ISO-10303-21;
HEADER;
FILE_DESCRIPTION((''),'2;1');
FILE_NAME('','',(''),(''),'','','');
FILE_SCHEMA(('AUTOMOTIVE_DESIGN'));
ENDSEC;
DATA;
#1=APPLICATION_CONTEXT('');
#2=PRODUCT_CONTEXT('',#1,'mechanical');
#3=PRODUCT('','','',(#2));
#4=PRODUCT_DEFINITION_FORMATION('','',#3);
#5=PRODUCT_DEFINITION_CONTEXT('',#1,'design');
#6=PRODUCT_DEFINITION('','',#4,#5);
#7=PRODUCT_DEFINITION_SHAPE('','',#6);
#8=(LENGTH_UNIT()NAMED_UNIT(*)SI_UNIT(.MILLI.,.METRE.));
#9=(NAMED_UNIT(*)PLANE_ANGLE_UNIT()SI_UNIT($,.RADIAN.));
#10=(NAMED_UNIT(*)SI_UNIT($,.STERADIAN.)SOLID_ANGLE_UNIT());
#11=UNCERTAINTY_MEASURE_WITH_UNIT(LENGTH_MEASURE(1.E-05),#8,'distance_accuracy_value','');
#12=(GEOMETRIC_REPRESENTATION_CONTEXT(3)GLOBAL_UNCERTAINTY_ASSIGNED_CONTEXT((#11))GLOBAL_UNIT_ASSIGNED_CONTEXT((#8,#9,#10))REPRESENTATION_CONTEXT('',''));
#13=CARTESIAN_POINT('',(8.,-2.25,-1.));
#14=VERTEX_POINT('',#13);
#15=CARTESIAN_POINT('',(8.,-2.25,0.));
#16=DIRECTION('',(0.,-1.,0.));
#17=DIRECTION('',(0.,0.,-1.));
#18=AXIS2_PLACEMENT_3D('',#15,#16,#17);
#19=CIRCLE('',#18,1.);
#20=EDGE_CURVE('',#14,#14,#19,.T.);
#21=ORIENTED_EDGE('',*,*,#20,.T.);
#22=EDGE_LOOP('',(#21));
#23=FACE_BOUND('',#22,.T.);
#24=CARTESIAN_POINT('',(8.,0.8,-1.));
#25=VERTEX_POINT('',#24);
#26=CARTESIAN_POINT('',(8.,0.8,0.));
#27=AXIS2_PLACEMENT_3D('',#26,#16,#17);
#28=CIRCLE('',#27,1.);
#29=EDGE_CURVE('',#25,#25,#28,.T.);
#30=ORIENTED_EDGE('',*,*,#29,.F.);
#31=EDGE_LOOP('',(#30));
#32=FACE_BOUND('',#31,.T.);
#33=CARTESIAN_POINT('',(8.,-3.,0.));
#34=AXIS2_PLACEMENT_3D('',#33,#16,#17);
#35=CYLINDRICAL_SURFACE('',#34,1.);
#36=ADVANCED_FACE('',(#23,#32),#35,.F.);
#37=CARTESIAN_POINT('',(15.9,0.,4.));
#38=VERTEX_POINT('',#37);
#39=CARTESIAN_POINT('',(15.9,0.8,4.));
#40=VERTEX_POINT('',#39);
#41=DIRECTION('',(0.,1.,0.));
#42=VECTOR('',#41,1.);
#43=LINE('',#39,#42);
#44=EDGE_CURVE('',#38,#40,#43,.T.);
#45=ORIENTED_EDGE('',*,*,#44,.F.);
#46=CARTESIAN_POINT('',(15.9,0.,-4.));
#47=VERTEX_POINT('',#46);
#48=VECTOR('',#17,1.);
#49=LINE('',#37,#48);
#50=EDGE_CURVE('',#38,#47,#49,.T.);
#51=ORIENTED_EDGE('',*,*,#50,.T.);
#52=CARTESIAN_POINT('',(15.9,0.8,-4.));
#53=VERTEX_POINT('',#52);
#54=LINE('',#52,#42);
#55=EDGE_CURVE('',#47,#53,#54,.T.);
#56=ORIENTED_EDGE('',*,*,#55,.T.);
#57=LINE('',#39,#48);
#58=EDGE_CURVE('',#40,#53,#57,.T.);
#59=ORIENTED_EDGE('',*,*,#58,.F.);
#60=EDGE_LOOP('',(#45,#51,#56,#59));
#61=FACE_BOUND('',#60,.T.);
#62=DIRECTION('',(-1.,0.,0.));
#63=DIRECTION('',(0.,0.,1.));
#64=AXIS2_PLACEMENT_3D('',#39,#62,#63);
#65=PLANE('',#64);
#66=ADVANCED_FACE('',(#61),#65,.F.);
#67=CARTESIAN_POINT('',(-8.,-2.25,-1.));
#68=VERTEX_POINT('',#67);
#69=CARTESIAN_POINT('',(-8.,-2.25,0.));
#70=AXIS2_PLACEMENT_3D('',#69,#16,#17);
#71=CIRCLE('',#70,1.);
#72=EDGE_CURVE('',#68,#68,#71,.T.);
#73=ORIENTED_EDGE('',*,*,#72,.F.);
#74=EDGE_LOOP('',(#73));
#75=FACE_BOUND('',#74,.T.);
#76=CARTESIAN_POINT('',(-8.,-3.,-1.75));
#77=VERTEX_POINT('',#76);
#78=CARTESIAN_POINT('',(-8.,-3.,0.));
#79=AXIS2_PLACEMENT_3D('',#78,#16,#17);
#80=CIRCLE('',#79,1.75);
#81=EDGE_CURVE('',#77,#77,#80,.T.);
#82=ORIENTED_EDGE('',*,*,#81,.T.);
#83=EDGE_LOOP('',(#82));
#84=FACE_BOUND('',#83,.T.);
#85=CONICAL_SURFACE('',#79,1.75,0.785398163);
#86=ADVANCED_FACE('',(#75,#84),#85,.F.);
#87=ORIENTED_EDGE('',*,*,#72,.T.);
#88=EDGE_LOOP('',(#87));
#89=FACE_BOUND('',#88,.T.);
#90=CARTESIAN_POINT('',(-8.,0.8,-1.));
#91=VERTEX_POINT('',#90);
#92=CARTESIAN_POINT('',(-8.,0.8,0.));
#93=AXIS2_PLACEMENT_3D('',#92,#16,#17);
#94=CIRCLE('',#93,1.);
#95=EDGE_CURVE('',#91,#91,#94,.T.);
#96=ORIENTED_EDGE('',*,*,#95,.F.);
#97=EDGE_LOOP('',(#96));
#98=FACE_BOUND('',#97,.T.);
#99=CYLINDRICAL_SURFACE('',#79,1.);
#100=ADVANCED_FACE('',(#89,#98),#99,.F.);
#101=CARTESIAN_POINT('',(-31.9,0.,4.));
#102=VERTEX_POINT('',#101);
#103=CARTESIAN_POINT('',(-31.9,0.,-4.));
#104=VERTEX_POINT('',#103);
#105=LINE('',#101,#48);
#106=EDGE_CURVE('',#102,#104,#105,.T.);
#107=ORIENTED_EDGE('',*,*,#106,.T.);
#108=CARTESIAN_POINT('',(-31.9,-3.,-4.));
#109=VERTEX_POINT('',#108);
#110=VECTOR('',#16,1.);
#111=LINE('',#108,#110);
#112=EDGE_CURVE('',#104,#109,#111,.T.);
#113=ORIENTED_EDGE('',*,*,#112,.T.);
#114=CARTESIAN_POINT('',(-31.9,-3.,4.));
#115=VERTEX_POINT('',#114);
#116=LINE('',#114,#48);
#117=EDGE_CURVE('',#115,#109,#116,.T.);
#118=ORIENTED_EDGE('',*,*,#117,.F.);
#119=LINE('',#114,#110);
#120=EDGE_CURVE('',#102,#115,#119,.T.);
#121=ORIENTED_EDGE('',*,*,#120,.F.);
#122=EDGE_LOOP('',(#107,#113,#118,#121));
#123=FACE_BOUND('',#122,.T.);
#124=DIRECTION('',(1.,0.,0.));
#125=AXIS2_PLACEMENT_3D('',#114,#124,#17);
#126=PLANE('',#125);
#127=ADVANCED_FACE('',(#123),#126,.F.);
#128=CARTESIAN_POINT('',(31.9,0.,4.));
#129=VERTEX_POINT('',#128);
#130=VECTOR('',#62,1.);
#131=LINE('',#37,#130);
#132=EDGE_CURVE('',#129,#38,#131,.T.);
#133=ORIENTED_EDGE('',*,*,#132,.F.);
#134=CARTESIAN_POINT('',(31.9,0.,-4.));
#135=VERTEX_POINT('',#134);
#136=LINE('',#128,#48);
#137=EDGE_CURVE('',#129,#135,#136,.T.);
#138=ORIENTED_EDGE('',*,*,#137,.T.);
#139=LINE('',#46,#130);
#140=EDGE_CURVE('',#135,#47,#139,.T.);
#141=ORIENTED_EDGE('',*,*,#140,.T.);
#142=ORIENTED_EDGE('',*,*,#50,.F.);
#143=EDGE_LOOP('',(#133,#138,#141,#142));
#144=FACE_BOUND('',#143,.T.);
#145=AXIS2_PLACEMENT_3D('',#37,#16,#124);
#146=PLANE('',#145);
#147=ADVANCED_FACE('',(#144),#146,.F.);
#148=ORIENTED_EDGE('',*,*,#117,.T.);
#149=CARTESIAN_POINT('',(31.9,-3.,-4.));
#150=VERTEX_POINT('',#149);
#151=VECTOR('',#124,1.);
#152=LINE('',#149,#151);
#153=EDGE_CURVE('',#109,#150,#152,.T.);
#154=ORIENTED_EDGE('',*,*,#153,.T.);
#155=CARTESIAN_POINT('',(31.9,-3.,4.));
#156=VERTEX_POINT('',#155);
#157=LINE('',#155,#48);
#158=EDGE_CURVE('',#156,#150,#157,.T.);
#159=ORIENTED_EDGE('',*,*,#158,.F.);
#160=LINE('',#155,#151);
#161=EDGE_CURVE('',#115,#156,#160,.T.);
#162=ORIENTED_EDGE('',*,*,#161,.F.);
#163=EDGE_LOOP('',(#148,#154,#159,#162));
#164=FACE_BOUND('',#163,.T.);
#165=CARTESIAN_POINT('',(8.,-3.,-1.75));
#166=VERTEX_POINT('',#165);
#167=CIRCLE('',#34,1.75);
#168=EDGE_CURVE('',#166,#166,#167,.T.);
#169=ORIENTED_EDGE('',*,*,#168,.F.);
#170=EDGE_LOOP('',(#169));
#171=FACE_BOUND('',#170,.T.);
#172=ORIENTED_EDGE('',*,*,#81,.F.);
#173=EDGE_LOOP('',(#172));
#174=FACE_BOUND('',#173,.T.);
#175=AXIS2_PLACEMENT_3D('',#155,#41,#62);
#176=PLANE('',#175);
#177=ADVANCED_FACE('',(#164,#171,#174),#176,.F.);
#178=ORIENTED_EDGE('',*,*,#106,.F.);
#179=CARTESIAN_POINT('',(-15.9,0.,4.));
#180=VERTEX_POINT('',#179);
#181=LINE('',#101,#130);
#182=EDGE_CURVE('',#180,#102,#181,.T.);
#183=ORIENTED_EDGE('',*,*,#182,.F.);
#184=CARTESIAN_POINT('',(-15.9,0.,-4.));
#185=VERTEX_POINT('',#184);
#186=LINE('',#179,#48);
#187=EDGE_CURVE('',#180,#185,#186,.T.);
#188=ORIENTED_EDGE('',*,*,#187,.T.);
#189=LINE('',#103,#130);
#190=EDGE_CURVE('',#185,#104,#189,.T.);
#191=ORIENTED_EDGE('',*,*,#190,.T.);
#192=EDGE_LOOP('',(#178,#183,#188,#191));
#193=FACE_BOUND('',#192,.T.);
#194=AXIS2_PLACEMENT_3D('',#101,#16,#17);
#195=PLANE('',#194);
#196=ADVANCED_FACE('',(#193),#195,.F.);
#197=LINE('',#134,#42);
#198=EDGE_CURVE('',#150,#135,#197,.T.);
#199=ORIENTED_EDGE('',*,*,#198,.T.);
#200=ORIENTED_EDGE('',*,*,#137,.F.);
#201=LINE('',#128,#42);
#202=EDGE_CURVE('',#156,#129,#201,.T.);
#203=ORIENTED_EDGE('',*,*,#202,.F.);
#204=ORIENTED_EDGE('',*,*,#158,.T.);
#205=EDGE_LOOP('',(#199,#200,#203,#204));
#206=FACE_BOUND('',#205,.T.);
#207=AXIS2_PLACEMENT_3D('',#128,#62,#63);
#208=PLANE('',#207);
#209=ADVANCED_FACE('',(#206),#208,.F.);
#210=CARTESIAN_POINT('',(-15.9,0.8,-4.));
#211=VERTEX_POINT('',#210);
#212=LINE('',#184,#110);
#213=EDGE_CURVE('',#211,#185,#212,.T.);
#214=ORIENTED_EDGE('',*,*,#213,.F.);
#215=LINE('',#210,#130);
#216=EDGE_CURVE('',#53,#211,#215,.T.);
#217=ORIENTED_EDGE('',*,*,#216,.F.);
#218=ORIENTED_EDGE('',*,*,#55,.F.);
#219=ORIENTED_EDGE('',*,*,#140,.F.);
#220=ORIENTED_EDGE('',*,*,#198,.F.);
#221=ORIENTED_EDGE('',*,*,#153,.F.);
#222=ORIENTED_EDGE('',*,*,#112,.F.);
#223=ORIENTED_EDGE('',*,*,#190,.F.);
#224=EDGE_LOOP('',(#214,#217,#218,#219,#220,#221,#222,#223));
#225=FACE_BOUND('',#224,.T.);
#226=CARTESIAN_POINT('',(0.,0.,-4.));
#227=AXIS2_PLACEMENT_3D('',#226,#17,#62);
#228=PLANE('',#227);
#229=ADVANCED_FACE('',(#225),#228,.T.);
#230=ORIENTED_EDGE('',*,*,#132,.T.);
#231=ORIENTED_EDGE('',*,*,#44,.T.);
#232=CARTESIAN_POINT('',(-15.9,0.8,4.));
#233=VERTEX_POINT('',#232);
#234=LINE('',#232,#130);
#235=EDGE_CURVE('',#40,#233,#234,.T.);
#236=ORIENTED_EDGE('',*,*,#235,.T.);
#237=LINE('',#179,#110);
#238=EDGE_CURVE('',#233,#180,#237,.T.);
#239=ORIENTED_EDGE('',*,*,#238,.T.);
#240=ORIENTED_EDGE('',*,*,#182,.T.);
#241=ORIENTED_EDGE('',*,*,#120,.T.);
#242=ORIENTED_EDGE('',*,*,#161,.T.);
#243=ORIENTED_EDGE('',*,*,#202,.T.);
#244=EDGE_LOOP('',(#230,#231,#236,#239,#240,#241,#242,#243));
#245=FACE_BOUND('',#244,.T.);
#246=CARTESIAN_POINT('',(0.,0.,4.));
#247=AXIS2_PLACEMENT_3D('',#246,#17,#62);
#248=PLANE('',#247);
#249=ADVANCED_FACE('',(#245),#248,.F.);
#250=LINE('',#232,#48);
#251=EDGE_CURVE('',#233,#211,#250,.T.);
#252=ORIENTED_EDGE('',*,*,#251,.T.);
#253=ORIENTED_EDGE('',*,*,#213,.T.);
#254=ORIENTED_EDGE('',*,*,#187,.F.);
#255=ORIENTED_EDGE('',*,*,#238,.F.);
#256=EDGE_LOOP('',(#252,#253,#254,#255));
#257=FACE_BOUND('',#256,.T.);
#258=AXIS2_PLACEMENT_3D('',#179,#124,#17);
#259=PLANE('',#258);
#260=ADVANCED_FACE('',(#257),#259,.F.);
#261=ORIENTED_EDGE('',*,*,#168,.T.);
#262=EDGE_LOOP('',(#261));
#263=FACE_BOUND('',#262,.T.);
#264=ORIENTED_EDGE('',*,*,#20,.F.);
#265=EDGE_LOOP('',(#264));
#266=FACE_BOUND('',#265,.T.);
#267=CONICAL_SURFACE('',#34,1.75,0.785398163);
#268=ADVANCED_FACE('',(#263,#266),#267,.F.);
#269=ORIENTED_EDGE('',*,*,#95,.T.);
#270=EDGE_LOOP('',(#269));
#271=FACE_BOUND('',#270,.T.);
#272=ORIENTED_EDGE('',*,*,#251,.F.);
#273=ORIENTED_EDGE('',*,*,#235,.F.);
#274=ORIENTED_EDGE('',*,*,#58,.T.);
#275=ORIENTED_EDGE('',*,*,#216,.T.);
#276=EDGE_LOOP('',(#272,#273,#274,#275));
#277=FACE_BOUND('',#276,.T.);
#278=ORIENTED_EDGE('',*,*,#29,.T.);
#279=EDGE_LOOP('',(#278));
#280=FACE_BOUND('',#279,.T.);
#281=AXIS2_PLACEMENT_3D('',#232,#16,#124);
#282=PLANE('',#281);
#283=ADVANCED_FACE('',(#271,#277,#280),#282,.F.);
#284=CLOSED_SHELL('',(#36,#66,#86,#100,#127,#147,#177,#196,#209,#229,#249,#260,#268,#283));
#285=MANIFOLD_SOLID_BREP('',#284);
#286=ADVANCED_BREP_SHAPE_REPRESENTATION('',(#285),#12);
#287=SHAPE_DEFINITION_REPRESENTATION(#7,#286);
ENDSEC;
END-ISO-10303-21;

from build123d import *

# Parameters (mm, degrees)
AUFSATZ_LINEAR_AUSTRAGEN1_DEPTH                      = 4
FORMSENKUNG_F_R_M3_SENKSCHRAUBE_MIT_INNE_D           = 2
FORMSENKUNG_F_R_M3_SENKSCHRAUBE_MIT_INNE_CSINK_D     = 3.5
FORMSENKUNG_F_R_M3_SENKSCHRAUBE_MIT_INNE_CSINK_ANGLE = 90


with BuildPart() as part:
    # Skizze1 → Aufsatz-Linear austragen1 (new body, symmetric)
    with BuildSketch(Plane.XY):
        Polygon((-31.9, 0), (-15.9, 0), (-15.9, 0.8), (15.9, 0.8), (15.9, 0), (31.9, 0), (31.9, -3), (-31.9, -3), align=None)
    extrude(amount=AUFSATZ_LINEAR_AUSTRAGEN1_DEPTH, both=True)

    # Formsenkung für M3 Senkschraube mit Innensechskant1 (through all)
    with Locations(Plane(origin=(0, -3, 0), x_dir=(-1, 0, 0), z_dir=(0, -1, 0))):
        with Locations((8, 0), (-8, 0)):
            CounterSinkHole(FORMSENKUNG_F_R_M3_SENKSCHRAUBE_MIT_INNE_D / 2, FORMSENKUNG_F_R_M3_SENKSCHRAUBE_MIT_INNE_CSINK_D / 2, counter_sink_angle=FORMSENKUNG_F_R_M3_SENKSCHRAUBE_MIT_INNE_CSINK_ANGLE)


solid = part.part
